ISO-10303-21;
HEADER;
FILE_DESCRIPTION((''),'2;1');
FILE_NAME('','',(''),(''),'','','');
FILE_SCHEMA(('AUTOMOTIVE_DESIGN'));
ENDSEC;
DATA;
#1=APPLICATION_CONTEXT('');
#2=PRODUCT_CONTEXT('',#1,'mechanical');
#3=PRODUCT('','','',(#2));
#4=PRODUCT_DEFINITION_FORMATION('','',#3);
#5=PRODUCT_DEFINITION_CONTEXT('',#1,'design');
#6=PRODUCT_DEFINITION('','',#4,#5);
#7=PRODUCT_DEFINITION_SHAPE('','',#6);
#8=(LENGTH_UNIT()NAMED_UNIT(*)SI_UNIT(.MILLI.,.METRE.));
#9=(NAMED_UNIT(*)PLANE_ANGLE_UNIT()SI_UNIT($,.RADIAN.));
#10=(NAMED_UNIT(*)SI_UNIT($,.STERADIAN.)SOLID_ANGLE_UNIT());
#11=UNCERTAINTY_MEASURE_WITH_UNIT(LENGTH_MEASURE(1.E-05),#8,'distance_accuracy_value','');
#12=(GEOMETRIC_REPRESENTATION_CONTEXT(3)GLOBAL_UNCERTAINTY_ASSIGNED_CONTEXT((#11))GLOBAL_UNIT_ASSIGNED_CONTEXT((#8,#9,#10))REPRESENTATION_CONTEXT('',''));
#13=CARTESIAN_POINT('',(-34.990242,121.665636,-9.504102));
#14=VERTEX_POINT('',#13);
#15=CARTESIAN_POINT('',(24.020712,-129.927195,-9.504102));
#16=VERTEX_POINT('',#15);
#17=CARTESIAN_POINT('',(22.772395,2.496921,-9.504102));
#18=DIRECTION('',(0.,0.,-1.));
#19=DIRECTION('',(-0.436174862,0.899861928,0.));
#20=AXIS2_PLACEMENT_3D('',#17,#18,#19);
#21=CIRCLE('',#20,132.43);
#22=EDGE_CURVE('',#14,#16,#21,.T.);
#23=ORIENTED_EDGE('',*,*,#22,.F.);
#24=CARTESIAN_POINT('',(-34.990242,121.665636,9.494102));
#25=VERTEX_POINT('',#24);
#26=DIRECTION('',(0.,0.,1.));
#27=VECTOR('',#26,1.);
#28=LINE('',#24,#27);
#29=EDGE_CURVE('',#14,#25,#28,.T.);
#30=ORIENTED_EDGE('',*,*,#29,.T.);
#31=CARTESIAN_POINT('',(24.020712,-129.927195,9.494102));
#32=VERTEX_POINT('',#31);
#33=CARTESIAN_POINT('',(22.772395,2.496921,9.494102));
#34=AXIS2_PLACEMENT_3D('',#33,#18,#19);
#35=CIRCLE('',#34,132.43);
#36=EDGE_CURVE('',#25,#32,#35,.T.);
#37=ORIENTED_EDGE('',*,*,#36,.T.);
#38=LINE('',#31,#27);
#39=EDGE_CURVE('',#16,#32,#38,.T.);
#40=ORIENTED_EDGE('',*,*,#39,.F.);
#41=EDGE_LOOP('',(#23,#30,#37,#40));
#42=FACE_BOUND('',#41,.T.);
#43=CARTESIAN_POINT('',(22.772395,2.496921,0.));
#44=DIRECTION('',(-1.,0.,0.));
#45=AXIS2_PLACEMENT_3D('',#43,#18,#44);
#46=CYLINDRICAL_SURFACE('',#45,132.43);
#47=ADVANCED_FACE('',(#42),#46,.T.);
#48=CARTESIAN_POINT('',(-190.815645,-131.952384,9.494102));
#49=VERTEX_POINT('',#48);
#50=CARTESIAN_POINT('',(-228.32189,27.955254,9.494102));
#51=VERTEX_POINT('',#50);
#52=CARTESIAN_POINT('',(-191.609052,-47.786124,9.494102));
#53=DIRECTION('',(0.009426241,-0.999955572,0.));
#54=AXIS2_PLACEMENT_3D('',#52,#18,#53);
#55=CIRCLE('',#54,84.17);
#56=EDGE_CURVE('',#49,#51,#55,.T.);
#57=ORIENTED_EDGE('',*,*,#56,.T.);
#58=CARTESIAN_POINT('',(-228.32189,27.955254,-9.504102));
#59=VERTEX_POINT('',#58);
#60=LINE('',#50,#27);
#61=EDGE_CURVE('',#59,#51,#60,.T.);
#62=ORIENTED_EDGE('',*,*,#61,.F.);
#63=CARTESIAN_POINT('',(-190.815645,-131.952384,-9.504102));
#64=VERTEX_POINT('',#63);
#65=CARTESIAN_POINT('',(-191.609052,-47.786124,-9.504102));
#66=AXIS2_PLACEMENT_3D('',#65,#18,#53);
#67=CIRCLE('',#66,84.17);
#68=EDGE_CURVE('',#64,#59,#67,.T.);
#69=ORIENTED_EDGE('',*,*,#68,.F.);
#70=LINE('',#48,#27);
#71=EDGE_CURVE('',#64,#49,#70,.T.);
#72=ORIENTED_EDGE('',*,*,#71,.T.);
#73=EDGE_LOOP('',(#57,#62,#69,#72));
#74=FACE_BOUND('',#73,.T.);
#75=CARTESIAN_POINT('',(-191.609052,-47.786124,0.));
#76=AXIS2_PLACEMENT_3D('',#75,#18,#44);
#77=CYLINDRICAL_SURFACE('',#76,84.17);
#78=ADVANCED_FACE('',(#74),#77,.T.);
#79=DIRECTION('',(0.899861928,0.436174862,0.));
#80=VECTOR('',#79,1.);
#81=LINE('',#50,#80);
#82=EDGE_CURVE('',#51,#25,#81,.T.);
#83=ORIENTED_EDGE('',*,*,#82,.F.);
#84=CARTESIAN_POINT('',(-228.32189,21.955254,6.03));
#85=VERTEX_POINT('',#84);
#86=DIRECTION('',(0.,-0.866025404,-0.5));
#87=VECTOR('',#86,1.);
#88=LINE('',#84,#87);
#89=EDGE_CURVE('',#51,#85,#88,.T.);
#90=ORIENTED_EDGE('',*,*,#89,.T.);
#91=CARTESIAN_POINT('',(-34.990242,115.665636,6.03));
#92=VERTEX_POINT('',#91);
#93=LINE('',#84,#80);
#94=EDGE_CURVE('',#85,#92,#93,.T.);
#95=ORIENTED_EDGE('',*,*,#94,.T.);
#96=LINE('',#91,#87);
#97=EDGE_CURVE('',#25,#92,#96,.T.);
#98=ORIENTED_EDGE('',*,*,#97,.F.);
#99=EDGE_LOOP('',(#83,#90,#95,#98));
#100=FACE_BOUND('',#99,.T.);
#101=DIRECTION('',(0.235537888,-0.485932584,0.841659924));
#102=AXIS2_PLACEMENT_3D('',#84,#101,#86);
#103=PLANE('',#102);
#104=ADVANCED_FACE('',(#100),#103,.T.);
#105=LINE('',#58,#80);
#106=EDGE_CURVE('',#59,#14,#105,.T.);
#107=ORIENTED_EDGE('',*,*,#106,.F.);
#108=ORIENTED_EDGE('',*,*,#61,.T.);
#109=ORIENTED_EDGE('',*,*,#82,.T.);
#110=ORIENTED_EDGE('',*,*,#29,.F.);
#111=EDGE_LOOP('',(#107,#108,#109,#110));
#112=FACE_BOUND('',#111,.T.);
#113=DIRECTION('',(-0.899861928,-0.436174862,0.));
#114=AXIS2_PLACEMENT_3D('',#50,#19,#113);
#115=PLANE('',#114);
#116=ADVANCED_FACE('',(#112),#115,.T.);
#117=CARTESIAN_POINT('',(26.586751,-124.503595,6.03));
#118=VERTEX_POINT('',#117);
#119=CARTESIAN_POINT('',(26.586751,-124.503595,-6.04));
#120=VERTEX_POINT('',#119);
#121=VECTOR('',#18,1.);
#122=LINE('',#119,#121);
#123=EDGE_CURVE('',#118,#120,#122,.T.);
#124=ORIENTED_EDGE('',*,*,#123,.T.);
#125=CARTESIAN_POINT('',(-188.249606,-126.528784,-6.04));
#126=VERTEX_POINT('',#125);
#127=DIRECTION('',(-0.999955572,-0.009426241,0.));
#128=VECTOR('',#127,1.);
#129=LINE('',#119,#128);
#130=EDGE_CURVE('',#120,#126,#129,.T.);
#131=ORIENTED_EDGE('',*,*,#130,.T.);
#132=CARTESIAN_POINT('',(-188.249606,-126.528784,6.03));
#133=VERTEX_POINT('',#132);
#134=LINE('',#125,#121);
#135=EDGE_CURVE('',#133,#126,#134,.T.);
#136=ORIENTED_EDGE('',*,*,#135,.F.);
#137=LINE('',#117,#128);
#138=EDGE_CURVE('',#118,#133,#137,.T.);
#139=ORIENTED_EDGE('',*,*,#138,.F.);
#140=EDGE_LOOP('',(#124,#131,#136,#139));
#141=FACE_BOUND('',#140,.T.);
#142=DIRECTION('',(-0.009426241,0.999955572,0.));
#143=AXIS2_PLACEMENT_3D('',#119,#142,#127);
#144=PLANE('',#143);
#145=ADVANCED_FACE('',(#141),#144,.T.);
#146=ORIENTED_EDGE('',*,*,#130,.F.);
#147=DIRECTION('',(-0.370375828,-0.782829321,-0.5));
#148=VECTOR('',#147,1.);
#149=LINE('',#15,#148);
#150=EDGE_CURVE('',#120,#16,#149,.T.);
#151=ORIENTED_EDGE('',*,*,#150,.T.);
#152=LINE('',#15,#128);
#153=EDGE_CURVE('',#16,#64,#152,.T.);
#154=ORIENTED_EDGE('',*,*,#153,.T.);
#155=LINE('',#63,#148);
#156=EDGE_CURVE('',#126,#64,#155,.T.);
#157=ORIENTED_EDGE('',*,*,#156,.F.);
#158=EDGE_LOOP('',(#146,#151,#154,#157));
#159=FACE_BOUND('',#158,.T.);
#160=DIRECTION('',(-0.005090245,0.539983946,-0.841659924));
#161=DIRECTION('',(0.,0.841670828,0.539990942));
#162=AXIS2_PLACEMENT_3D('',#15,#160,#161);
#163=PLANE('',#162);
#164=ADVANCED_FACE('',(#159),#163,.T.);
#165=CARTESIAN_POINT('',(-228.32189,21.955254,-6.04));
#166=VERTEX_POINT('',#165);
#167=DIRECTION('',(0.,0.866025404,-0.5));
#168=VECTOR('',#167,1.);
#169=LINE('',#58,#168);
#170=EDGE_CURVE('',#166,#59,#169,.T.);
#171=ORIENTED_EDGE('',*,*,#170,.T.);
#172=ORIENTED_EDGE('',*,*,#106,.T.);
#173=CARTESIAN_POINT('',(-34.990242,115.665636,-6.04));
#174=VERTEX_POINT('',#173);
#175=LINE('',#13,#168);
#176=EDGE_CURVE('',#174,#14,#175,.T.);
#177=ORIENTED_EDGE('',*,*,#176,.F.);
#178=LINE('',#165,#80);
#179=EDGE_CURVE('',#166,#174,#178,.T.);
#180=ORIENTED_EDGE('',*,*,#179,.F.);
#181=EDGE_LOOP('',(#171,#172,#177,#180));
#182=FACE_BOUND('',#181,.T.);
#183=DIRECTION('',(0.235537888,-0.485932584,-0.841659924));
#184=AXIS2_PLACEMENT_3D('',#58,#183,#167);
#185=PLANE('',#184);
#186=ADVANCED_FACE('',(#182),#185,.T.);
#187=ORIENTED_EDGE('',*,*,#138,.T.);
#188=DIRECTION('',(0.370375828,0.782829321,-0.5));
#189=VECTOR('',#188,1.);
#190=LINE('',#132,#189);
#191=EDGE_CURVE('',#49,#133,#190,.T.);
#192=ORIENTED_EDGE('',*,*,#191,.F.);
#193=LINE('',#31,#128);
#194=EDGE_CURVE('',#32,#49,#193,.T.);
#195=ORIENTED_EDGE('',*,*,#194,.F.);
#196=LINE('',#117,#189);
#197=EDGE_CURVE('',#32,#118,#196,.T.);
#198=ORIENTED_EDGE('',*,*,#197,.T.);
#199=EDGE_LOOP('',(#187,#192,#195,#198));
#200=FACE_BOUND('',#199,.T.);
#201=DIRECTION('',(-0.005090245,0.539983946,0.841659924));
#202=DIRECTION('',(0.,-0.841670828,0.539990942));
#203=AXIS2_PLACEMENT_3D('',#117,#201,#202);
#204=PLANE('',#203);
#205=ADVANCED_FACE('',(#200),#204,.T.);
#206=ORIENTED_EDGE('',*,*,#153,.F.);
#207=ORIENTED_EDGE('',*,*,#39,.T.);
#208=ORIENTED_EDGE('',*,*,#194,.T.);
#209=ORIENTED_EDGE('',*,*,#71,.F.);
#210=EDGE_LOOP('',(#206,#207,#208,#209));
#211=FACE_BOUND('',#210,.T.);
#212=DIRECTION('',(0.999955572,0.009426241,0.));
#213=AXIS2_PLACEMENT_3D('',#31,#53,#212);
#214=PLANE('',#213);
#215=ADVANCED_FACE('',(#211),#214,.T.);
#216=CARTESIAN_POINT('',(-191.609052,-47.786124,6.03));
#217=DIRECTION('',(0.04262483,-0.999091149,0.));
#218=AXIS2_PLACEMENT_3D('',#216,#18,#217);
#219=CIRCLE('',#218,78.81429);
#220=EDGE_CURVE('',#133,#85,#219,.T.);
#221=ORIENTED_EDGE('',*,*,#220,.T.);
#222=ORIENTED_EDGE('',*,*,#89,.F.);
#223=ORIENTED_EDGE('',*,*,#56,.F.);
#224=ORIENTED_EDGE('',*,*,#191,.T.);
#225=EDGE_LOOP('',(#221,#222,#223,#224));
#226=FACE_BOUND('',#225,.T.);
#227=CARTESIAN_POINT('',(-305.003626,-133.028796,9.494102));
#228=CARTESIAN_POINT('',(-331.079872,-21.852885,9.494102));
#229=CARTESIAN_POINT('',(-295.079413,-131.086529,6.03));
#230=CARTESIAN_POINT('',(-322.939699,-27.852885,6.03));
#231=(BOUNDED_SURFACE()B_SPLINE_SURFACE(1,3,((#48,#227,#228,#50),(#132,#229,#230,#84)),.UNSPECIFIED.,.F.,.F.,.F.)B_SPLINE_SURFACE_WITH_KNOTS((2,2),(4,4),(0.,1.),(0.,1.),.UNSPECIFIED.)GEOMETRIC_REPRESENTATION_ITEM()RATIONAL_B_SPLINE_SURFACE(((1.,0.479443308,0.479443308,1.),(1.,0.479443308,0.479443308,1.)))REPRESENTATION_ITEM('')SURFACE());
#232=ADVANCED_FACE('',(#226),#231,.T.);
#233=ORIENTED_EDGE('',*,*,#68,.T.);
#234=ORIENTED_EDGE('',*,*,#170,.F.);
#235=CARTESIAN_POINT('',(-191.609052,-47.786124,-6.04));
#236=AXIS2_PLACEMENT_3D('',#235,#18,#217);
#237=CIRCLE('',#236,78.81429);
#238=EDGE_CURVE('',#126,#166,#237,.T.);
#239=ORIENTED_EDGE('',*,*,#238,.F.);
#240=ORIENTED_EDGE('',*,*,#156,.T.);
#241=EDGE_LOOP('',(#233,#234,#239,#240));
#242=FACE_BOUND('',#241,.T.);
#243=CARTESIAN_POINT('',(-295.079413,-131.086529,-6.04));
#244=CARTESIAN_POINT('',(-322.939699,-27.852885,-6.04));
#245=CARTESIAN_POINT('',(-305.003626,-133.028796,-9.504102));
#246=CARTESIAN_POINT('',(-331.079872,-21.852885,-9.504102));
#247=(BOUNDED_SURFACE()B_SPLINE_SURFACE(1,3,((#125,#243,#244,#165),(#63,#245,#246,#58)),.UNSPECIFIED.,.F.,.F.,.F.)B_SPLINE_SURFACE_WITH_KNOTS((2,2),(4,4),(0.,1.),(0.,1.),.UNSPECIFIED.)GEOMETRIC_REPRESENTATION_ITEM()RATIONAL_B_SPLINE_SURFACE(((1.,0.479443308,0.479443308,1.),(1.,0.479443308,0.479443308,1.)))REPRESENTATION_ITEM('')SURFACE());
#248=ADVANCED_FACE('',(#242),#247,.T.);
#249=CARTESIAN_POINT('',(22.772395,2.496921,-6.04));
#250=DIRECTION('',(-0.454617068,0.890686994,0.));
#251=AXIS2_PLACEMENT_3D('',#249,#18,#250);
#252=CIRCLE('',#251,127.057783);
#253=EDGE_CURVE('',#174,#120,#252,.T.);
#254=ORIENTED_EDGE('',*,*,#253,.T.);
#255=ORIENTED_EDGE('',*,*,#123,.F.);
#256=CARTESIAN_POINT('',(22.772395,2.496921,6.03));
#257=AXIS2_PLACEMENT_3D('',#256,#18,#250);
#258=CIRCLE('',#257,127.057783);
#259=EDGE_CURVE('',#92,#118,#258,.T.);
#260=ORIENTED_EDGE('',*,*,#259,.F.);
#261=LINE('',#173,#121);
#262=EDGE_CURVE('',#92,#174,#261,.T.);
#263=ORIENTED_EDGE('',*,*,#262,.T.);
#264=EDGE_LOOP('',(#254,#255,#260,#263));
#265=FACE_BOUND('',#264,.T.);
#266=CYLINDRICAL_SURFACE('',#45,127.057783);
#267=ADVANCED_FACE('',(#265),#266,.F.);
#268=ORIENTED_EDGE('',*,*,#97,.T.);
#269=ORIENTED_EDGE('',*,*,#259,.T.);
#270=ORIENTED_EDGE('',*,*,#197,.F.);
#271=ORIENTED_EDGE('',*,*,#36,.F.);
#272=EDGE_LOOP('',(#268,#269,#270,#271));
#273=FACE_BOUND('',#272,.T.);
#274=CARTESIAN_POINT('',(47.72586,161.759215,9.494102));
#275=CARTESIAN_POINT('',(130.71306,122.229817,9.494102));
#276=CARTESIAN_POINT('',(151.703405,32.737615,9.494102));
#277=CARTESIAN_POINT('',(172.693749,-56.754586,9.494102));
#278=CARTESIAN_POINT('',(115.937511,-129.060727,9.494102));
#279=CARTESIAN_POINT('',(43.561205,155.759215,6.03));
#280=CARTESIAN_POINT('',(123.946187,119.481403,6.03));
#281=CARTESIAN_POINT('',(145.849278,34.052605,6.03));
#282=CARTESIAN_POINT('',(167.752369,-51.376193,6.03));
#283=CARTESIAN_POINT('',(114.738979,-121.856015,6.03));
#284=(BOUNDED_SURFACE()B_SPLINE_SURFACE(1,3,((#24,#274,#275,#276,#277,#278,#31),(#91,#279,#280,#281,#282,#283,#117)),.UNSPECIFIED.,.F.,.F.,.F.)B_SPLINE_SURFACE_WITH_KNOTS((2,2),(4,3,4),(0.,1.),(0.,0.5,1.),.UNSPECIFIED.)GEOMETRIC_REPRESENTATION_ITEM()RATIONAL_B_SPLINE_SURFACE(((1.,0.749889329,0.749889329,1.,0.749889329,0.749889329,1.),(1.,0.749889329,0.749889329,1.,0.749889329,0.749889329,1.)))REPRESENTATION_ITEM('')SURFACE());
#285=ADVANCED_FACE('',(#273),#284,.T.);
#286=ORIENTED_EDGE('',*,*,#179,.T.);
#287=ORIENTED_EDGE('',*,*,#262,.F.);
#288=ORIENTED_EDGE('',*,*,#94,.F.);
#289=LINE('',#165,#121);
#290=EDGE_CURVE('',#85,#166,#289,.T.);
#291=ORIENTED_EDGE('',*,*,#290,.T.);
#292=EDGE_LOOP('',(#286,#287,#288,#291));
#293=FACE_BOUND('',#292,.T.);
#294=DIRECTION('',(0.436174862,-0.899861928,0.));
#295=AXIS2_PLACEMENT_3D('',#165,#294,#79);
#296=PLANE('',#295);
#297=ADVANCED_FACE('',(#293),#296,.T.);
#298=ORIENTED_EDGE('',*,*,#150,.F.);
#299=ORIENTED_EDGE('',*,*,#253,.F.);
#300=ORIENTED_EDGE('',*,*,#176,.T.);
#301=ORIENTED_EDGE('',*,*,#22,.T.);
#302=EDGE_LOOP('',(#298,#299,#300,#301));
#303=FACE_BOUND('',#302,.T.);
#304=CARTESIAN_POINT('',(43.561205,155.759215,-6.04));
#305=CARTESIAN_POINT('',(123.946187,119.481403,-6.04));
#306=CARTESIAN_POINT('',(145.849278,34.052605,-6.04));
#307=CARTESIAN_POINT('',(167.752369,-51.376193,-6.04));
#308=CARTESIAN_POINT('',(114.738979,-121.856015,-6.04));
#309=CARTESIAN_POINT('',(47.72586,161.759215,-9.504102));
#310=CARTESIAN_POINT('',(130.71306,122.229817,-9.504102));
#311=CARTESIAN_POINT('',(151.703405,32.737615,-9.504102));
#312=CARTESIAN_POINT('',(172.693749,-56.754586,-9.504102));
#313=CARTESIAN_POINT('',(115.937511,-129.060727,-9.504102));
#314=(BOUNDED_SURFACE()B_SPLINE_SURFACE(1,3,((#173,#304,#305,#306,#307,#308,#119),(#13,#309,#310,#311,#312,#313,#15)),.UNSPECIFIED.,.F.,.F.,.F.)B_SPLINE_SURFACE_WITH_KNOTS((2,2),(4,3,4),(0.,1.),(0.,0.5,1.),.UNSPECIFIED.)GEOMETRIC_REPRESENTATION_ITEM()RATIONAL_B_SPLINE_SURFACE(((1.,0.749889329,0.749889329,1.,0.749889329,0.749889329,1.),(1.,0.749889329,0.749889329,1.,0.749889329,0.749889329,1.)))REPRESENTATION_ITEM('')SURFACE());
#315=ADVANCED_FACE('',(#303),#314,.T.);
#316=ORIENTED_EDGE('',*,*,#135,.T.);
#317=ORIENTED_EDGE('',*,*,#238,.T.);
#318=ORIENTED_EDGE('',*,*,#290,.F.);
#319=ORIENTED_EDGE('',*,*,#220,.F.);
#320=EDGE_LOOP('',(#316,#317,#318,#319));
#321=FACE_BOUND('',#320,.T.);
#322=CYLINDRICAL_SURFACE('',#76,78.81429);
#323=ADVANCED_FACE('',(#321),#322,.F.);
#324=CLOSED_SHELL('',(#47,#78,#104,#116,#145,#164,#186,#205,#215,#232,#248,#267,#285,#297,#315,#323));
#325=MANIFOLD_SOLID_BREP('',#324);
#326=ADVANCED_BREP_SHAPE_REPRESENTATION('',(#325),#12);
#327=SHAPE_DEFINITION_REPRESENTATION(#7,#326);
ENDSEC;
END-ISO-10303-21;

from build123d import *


with BuildPart() as part:
    # Sweep1: sweep along a path in Sketch1
    with BuildLine(Plane.XY) as sweep1_path:
        Line((24.020712033, -129.927195225), (-190.815645031, -131.952384486))
        ThreePointArc((-190.815645031, -131.952384486), (-273.555159883, -67.006536582), (-228.321889895, 27.955254493))
        Line((-228.321889895, 27.955254493), (-34.990242075, 121.665636306))
        ThreePointArc((-34.990242075, 121.665636306), (151.70340481, 32.737615478), (24.020712033, -129.927195225))
    # Sketch2 → Sweep1 (sweep)
    with BuildSketch(Plane(origin=(-34.990242075, 0, 0), x_dir=(0, 0, -1), z_dir=(1, 0, 0))):
        Polygon((6.04, 115.665636306), (-6.03, 115.665636306), (-9.494101615, 121.665636306), (9.504101615, 121.665636306), align=None)
    sweep(path=sweep1_path.line)


solid = part.part
